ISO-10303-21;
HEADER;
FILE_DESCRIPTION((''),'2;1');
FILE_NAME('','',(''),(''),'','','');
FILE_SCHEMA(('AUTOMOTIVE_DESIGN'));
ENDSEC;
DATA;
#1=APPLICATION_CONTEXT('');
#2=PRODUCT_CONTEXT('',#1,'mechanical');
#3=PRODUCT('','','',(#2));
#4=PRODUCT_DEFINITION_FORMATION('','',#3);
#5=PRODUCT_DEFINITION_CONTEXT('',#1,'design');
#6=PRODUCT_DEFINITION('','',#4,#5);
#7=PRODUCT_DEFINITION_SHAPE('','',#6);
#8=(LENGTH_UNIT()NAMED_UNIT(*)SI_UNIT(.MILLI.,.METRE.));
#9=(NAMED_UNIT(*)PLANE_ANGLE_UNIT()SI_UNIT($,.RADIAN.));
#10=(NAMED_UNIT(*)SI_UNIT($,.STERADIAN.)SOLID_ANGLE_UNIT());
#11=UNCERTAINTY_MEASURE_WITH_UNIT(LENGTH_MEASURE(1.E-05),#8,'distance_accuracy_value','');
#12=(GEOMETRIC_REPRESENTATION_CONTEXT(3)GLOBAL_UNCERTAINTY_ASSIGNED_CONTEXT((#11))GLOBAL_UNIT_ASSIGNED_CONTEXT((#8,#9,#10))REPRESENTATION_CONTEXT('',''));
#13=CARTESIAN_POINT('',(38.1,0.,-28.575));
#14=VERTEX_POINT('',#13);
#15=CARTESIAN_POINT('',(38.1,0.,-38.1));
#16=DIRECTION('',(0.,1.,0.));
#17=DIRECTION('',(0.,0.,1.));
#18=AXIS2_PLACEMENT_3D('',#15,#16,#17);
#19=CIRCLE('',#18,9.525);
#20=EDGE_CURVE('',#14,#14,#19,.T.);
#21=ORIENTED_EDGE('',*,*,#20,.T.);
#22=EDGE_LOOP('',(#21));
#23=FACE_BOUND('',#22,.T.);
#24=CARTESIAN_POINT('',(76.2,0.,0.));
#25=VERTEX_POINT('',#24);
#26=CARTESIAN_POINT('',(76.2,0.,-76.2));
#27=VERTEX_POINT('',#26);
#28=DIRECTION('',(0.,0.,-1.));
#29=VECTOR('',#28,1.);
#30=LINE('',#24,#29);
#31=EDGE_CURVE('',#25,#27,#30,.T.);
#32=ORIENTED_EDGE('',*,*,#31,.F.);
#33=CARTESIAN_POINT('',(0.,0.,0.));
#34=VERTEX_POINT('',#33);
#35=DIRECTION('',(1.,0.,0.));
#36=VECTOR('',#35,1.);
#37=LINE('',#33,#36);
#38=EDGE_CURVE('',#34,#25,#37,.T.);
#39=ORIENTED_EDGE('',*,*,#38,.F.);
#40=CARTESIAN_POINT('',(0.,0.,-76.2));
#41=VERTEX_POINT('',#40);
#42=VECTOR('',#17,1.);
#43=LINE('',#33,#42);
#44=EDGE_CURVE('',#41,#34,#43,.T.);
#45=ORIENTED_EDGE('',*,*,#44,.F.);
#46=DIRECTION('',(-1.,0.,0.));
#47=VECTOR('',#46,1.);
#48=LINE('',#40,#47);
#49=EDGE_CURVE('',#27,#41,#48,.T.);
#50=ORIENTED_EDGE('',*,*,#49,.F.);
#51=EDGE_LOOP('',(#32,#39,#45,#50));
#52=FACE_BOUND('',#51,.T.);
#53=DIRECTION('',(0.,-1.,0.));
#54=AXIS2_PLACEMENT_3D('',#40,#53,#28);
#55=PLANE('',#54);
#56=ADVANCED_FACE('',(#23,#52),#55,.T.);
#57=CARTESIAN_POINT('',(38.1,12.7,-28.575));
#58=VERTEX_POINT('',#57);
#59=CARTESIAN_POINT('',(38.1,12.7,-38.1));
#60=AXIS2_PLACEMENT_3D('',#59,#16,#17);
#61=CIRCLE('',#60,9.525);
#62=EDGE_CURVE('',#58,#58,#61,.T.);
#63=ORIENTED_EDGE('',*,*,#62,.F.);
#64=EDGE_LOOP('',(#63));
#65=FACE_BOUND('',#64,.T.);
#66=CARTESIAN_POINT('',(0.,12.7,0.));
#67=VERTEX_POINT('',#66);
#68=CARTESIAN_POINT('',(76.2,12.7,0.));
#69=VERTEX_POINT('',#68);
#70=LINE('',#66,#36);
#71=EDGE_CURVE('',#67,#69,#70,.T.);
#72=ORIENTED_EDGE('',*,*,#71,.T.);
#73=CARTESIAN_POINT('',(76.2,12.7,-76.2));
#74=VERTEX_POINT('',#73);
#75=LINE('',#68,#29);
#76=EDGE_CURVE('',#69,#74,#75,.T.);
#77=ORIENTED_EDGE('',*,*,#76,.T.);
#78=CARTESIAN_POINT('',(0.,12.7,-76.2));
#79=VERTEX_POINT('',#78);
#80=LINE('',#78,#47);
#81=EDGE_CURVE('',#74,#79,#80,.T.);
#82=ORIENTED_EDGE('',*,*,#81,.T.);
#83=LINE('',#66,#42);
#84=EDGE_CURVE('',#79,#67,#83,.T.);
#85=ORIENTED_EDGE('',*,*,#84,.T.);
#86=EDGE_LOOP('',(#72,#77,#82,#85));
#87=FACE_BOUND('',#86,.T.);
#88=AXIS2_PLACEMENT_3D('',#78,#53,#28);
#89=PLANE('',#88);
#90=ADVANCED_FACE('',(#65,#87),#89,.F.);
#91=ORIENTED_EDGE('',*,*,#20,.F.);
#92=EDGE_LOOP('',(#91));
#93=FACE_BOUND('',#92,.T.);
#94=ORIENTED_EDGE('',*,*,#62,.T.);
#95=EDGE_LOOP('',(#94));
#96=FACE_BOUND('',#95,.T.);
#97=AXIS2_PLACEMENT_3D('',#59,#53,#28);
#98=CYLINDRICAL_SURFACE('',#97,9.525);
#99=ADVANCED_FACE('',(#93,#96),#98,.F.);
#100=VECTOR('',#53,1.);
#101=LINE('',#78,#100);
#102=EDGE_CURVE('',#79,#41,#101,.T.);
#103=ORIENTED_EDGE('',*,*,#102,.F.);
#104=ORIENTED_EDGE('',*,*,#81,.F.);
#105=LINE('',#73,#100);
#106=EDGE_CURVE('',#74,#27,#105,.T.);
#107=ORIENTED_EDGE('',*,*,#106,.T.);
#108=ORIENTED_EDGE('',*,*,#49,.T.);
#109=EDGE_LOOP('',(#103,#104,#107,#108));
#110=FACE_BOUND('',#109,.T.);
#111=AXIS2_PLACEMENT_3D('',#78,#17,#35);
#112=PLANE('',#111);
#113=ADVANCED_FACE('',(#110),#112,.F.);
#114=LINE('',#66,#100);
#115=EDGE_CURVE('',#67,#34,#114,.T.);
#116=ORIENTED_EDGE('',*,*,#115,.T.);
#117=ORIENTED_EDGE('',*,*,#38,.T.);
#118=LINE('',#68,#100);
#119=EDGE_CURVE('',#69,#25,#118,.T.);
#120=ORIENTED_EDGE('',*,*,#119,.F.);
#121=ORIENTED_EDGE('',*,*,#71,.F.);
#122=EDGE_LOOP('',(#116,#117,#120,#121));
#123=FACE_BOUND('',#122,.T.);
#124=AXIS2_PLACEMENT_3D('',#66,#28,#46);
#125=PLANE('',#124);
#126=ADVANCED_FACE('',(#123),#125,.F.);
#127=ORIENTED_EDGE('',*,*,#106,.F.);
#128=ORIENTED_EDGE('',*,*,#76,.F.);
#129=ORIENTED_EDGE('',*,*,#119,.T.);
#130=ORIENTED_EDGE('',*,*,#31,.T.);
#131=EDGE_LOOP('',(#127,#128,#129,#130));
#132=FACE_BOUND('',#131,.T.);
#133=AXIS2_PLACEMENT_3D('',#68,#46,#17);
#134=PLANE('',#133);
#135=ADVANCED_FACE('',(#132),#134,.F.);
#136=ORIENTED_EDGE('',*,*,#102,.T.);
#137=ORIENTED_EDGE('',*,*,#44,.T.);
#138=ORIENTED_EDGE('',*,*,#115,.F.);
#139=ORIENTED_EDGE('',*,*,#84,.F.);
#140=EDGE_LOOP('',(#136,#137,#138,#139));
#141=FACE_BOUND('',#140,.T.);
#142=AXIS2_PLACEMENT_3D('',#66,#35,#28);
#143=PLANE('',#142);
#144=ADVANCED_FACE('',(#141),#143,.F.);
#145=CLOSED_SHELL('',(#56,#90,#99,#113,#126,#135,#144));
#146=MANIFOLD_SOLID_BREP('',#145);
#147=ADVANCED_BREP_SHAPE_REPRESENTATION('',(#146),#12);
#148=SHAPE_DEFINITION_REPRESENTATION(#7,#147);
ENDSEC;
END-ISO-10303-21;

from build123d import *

# Parameters (mm, degrees)
SKETCH1_W           = 76.2
SKETCH1_H           = 76.2
SKETCH1_R           = 9.525
BOSS_EXTRUDE1_DEPTH = 12.7


with BuildPart() as part:
    # Sketch1 → Boss-Extrude1 (new body)
    with BuildSketch(Plane(origin=(0, 0, 0), x_dir=(1, 0, 0), z_dir=(0, 1, 0))):
        with Locations((38.1, 38.1)):
            Rectangle(SKETCH1_W, SKETCH1_H)
        with Locations((38.1, 38.1)):
            Circle(SKETCH1_R, mode=Mode.SUBTRACT)
    extrude(amount=BOSS_EXTRUDE1_DEPTH)


solid = part.part
